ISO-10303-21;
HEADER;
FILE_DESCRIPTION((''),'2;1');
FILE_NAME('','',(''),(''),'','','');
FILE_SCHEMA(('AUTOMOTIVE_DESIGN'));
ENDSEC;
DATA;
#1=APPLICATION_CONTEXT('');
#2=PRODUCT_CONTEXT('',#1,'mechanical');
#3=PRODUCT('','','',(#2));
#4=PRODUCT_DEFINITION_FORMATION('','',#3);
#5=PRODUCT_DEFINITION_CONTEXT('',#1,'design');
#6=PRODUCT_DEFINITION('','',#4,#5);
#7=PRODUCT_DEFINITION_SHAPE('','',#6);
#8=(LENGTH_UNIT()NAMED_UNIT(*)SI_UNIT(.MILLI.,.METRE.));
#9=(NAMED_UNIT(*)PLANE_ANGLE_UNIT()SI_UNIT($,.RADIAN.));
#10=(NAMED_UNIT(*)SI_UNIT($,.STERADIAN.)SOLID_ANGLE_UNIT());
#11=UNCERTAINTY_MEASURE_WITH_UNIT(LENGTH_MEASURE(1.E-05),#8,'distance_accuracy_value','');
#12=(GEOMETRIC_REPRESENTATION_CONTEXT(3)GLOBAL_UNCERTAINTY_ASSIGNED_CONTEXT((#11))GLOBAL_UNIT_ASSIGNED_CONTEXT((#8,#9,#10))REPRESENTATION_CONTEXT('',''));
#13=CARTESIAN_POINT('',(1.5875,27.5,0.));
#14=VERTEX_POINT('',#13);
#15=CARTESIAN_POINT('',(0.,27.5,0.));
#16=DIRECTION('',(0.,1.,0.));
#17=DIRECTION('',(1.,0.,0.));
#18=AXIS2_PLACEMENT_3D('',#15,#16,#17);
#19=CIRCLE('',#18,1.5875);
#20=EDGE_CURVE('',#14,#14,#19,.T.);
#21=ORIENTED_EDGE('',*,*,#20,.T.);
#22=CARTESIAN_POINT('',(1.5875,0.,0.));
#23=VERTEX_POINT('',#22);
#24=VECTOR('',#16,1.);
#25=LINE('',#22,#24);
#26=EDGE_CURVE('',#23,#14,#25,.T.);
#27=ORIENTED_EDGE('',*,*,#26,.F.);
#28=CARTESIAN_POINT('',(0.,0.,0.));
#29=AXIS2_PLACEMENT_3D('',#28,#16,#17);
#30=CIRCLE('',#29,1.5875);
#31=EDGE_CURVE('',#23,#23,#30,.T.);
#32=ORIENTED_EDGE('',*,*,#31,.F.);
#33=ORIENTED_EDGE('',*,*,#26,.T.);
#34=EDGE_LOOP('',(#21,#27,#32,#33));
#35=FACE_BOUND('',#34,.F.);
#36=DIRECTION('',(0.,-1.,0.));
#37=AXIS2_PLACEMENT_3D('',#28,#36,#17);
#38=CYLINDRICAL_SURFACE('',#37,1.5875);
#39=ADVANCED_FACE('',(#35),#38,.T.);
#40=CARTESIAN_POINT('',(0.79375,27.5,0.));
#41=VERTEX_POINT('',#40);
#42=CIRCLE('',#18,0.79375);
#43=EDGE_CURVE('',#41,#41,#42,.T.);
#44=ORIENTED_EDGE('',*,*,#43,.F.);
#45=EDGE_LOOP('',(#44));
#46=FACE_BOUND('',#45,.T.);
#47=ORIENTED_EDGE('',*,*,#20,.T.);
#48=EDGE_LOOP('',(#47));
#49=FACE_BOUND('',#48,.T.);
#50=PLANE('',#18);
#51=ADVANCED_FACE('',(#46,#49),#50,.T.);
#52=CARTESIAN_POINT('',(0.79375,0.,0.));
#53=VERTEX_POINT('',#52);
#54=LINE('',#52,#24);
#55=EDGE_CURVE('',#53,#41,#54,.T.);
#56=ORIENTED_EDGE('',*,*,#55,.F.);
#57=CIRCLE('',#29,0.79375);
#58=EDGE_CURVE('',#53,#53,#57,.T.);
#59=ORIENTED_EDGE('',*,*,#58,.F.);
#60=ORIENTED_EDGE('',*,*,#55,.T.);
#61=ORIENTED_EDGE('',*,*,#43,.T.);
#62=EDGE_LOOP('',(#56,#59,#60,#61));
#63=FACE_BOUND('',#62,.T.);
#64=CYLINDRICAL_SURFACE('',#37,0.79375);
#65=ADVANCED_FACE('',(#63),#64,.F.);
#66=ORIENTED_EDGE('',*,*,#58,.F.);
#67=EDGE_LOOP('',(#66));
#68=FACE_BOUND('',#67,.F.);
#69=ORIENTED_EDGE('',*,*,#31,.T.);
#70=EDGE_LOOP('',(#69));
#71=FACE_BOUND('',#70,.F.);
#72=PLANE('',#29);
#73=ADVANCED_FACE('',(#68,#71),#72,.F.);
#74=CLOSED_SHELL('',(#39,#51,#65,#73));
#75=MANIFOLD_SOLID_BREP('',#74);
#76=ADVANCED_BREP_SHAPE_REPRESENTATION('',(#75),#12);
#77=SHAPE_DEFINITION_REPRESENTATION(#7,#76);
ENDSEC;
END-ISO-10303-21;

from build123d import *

# Parameters (mm, degrees)
SKETCH1_R           = 1.5875
SKETCH1_R_2         = 0.79375
BOSS_EXTRUDE1_DEPTH = 27.5


with BuildPart() as part:
    # Sketch1 → Boss-Extrude1 (new body)
    with BuildSketch(Plane(origin=(0, 0, 0), x_dir=(1, 0, 0), z_dir=(0, 1, 0))):
        Circle(SKETCH1_R)
        Circle(SKETCH1_R_2, mode=Mode.SUBTRACT)
    extrude(amount=BOSS_EXTRUDE1_DEPTH)


solid = part.part
